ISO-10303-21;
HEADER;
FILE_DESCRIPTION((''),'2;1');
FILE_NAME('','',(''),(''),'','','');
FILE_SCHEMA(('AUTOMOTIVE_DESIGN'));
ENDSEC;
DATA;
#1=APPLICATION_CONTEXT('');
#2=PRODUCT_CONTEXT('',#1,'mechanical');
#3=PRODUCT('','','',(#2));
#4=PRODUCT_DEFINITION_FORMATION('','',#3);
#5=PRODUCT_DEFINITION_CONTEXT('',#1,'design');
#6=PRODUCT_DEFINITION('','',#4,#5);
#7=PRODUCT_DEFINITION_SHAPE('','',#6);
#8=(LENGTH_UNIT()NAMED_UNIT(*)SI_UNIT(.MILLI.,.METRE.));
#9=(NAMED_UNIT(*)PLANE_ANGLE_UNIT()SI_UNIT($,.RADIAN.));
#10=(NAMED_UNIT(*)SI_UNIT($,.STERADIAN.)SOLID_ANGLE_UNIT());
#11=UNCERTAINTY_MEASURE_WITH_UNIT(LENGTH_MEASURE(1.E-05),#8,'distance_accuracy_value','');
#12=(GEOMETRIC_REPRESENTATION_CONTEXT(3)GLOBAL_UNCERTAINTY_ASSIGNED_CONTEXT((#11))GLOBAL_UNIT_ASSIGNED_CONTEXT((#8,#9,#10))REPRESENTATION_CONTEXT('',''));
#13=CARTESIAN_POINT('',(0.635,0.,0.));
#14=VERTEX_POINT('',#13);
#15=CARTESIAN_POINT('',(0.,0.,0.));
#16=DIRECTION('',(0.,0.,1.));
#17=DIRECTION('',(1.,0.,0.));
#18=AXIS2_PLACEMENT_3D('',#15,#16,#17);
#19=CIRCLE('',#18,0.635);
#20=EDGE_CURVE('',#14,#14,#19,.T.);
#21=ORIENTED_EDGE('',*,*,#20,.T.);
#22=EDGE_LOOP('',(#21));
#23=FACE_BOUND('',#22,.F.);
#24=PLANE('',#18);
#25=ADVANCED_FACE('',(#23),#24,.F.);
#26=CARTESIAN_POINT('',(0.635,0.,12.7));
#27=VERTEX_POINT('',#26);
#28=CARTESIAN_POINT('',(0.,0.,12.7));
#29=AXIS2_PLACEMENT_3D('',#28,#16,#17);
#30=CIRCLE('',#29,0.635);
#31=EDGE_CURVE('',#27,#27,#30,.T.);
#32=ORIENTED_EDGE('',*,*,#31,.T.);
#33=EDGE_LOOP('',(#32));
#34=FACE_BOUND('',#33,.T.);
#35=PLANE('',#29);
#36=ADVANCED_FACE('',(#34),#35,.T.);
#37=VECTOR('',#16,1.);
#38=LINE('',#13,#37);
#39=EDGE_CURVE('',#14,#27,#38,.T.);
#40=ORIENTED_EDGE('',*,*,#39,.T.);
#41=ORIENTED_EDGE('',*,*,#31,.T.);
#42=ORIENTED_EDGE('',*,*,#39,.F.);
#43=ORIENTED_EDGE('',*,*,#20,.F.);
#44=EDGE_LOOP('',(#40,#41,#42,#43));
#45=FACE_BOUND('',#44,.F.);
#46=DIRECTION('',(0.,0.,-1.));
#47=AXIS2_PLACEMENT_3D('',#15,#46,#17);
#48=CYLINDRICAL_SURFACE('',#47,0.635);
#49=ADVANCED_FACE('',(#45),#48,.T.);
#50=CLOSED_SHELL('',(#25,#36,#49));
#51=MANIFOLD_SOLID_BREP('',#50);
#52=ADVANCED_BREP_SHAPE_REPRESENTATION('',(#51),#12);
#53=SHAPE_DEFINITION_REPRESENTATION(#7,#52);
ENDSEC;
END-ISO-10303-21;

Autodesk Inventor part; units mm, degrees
ref_plane "YZ Plane" through (0, 0, 0) normal (1, 0, 0) x (0, 1, 0)
ref_plane "XZ Plane" through (0, 0, 0) normal (0, 1, 0) x (-1, 0, 0)
ref_plane "XY Plane" through (0, 0, 0) normal (0, 0, 1) x (1, 0, 0)
sketch "Sketch1" plane through (0, 0, 0) normal (0, 0, 1) x (1, 0, 0)
  circle A0 centre (0, 0) radius 0.635
  dimension "d0" = 1.27
extrude "Extrusion1" add sketch "Sketch1" along normal blind 12.7
properties part number "Wire_Yellow"
